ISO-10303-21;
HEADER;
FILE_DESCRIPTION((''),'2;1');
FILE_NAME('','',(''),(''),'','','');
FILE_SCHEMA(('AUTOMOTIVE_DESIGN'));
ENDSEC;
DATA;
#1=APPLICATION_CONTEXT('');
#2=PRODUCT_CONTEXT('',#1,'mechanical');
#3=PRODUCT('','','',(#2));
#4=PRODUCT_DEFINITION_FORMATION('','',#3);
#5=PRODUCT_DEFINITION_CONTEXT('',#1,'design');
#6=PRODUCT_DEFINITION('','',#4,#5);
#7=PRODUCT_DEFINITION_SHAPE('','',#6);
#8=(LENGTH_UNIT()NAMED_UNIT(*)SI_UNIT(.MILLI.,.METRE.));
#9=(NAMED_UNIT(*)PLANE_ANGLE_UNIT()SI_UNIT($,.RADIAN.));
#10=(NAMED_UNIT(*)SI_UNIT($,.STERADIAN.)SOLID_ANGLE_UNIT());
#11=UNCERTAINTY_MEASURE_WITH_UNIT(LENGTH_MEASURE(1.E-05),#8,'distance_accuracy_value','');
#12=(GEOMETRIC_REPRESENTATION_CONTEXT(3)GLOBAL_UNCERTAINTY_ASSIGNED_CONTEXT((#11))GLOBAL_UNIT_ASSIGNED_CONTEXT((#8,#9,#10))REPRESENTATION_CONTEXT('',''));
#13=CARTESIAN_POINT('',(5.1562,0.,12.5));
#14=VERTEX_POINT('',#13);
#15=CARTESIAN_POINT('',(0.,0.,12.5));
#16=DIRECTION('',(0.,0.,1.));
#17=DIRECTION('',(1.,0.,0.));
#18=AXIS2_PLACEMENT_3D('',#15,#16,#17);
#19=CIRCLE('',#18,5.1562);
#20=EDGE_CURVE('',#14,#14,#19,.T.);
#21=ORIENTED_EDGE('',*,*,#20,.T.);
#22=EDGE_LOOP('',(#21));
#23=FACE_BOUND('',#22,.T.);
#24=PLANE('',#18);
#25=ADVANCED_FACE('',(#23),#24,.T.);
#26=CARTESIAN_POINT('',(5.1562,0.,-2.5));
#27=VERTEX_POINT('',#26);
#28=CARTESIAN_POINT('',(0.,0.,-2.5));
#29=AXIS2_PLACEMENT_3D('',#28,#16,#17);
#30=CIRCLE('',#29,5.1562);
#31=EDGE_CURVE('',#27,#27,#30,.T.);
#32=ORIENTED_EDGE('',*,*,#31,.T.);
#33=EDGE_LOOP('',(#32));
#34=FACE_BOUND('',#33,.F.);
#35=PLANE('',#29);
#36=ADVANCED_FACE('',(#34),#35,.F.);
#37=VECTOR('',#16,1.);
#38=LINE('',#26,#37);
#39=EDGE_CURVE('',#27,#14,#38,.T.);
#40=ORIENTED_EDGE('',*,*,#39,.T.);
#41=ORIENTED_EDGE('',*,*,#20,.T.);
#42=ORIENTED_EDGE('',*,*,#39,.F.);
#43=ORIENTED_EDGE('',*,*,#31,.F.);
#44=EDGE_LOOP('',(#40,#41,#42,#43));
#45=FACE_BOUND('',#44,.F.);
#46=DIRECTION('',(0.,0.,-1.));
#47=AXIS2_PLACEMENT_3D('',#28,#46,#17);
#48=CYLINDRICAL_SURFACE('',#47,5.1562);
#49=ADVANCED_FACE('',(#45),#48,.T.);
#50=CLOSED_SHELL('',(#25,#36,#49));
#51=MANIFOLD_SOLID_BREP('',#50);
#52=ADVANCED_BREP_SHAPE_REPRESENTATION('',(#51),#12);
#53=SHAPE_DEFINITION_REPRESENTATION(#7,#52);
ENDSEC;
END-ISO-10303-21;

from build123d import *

# Parameters (mm, degrees)
CYLINDER_R     = 5.1562
CYLINDER_DEPTH = 15


with BuildPart() as part:
    # Cylinder → Cylinder (new body)
    with BuildSketch(Plane.XY.offset(-2.5)):
        Circle(CYLINDER_R)
    extrude(amount=CYLINDER_DEPTH)


solid = part.part
